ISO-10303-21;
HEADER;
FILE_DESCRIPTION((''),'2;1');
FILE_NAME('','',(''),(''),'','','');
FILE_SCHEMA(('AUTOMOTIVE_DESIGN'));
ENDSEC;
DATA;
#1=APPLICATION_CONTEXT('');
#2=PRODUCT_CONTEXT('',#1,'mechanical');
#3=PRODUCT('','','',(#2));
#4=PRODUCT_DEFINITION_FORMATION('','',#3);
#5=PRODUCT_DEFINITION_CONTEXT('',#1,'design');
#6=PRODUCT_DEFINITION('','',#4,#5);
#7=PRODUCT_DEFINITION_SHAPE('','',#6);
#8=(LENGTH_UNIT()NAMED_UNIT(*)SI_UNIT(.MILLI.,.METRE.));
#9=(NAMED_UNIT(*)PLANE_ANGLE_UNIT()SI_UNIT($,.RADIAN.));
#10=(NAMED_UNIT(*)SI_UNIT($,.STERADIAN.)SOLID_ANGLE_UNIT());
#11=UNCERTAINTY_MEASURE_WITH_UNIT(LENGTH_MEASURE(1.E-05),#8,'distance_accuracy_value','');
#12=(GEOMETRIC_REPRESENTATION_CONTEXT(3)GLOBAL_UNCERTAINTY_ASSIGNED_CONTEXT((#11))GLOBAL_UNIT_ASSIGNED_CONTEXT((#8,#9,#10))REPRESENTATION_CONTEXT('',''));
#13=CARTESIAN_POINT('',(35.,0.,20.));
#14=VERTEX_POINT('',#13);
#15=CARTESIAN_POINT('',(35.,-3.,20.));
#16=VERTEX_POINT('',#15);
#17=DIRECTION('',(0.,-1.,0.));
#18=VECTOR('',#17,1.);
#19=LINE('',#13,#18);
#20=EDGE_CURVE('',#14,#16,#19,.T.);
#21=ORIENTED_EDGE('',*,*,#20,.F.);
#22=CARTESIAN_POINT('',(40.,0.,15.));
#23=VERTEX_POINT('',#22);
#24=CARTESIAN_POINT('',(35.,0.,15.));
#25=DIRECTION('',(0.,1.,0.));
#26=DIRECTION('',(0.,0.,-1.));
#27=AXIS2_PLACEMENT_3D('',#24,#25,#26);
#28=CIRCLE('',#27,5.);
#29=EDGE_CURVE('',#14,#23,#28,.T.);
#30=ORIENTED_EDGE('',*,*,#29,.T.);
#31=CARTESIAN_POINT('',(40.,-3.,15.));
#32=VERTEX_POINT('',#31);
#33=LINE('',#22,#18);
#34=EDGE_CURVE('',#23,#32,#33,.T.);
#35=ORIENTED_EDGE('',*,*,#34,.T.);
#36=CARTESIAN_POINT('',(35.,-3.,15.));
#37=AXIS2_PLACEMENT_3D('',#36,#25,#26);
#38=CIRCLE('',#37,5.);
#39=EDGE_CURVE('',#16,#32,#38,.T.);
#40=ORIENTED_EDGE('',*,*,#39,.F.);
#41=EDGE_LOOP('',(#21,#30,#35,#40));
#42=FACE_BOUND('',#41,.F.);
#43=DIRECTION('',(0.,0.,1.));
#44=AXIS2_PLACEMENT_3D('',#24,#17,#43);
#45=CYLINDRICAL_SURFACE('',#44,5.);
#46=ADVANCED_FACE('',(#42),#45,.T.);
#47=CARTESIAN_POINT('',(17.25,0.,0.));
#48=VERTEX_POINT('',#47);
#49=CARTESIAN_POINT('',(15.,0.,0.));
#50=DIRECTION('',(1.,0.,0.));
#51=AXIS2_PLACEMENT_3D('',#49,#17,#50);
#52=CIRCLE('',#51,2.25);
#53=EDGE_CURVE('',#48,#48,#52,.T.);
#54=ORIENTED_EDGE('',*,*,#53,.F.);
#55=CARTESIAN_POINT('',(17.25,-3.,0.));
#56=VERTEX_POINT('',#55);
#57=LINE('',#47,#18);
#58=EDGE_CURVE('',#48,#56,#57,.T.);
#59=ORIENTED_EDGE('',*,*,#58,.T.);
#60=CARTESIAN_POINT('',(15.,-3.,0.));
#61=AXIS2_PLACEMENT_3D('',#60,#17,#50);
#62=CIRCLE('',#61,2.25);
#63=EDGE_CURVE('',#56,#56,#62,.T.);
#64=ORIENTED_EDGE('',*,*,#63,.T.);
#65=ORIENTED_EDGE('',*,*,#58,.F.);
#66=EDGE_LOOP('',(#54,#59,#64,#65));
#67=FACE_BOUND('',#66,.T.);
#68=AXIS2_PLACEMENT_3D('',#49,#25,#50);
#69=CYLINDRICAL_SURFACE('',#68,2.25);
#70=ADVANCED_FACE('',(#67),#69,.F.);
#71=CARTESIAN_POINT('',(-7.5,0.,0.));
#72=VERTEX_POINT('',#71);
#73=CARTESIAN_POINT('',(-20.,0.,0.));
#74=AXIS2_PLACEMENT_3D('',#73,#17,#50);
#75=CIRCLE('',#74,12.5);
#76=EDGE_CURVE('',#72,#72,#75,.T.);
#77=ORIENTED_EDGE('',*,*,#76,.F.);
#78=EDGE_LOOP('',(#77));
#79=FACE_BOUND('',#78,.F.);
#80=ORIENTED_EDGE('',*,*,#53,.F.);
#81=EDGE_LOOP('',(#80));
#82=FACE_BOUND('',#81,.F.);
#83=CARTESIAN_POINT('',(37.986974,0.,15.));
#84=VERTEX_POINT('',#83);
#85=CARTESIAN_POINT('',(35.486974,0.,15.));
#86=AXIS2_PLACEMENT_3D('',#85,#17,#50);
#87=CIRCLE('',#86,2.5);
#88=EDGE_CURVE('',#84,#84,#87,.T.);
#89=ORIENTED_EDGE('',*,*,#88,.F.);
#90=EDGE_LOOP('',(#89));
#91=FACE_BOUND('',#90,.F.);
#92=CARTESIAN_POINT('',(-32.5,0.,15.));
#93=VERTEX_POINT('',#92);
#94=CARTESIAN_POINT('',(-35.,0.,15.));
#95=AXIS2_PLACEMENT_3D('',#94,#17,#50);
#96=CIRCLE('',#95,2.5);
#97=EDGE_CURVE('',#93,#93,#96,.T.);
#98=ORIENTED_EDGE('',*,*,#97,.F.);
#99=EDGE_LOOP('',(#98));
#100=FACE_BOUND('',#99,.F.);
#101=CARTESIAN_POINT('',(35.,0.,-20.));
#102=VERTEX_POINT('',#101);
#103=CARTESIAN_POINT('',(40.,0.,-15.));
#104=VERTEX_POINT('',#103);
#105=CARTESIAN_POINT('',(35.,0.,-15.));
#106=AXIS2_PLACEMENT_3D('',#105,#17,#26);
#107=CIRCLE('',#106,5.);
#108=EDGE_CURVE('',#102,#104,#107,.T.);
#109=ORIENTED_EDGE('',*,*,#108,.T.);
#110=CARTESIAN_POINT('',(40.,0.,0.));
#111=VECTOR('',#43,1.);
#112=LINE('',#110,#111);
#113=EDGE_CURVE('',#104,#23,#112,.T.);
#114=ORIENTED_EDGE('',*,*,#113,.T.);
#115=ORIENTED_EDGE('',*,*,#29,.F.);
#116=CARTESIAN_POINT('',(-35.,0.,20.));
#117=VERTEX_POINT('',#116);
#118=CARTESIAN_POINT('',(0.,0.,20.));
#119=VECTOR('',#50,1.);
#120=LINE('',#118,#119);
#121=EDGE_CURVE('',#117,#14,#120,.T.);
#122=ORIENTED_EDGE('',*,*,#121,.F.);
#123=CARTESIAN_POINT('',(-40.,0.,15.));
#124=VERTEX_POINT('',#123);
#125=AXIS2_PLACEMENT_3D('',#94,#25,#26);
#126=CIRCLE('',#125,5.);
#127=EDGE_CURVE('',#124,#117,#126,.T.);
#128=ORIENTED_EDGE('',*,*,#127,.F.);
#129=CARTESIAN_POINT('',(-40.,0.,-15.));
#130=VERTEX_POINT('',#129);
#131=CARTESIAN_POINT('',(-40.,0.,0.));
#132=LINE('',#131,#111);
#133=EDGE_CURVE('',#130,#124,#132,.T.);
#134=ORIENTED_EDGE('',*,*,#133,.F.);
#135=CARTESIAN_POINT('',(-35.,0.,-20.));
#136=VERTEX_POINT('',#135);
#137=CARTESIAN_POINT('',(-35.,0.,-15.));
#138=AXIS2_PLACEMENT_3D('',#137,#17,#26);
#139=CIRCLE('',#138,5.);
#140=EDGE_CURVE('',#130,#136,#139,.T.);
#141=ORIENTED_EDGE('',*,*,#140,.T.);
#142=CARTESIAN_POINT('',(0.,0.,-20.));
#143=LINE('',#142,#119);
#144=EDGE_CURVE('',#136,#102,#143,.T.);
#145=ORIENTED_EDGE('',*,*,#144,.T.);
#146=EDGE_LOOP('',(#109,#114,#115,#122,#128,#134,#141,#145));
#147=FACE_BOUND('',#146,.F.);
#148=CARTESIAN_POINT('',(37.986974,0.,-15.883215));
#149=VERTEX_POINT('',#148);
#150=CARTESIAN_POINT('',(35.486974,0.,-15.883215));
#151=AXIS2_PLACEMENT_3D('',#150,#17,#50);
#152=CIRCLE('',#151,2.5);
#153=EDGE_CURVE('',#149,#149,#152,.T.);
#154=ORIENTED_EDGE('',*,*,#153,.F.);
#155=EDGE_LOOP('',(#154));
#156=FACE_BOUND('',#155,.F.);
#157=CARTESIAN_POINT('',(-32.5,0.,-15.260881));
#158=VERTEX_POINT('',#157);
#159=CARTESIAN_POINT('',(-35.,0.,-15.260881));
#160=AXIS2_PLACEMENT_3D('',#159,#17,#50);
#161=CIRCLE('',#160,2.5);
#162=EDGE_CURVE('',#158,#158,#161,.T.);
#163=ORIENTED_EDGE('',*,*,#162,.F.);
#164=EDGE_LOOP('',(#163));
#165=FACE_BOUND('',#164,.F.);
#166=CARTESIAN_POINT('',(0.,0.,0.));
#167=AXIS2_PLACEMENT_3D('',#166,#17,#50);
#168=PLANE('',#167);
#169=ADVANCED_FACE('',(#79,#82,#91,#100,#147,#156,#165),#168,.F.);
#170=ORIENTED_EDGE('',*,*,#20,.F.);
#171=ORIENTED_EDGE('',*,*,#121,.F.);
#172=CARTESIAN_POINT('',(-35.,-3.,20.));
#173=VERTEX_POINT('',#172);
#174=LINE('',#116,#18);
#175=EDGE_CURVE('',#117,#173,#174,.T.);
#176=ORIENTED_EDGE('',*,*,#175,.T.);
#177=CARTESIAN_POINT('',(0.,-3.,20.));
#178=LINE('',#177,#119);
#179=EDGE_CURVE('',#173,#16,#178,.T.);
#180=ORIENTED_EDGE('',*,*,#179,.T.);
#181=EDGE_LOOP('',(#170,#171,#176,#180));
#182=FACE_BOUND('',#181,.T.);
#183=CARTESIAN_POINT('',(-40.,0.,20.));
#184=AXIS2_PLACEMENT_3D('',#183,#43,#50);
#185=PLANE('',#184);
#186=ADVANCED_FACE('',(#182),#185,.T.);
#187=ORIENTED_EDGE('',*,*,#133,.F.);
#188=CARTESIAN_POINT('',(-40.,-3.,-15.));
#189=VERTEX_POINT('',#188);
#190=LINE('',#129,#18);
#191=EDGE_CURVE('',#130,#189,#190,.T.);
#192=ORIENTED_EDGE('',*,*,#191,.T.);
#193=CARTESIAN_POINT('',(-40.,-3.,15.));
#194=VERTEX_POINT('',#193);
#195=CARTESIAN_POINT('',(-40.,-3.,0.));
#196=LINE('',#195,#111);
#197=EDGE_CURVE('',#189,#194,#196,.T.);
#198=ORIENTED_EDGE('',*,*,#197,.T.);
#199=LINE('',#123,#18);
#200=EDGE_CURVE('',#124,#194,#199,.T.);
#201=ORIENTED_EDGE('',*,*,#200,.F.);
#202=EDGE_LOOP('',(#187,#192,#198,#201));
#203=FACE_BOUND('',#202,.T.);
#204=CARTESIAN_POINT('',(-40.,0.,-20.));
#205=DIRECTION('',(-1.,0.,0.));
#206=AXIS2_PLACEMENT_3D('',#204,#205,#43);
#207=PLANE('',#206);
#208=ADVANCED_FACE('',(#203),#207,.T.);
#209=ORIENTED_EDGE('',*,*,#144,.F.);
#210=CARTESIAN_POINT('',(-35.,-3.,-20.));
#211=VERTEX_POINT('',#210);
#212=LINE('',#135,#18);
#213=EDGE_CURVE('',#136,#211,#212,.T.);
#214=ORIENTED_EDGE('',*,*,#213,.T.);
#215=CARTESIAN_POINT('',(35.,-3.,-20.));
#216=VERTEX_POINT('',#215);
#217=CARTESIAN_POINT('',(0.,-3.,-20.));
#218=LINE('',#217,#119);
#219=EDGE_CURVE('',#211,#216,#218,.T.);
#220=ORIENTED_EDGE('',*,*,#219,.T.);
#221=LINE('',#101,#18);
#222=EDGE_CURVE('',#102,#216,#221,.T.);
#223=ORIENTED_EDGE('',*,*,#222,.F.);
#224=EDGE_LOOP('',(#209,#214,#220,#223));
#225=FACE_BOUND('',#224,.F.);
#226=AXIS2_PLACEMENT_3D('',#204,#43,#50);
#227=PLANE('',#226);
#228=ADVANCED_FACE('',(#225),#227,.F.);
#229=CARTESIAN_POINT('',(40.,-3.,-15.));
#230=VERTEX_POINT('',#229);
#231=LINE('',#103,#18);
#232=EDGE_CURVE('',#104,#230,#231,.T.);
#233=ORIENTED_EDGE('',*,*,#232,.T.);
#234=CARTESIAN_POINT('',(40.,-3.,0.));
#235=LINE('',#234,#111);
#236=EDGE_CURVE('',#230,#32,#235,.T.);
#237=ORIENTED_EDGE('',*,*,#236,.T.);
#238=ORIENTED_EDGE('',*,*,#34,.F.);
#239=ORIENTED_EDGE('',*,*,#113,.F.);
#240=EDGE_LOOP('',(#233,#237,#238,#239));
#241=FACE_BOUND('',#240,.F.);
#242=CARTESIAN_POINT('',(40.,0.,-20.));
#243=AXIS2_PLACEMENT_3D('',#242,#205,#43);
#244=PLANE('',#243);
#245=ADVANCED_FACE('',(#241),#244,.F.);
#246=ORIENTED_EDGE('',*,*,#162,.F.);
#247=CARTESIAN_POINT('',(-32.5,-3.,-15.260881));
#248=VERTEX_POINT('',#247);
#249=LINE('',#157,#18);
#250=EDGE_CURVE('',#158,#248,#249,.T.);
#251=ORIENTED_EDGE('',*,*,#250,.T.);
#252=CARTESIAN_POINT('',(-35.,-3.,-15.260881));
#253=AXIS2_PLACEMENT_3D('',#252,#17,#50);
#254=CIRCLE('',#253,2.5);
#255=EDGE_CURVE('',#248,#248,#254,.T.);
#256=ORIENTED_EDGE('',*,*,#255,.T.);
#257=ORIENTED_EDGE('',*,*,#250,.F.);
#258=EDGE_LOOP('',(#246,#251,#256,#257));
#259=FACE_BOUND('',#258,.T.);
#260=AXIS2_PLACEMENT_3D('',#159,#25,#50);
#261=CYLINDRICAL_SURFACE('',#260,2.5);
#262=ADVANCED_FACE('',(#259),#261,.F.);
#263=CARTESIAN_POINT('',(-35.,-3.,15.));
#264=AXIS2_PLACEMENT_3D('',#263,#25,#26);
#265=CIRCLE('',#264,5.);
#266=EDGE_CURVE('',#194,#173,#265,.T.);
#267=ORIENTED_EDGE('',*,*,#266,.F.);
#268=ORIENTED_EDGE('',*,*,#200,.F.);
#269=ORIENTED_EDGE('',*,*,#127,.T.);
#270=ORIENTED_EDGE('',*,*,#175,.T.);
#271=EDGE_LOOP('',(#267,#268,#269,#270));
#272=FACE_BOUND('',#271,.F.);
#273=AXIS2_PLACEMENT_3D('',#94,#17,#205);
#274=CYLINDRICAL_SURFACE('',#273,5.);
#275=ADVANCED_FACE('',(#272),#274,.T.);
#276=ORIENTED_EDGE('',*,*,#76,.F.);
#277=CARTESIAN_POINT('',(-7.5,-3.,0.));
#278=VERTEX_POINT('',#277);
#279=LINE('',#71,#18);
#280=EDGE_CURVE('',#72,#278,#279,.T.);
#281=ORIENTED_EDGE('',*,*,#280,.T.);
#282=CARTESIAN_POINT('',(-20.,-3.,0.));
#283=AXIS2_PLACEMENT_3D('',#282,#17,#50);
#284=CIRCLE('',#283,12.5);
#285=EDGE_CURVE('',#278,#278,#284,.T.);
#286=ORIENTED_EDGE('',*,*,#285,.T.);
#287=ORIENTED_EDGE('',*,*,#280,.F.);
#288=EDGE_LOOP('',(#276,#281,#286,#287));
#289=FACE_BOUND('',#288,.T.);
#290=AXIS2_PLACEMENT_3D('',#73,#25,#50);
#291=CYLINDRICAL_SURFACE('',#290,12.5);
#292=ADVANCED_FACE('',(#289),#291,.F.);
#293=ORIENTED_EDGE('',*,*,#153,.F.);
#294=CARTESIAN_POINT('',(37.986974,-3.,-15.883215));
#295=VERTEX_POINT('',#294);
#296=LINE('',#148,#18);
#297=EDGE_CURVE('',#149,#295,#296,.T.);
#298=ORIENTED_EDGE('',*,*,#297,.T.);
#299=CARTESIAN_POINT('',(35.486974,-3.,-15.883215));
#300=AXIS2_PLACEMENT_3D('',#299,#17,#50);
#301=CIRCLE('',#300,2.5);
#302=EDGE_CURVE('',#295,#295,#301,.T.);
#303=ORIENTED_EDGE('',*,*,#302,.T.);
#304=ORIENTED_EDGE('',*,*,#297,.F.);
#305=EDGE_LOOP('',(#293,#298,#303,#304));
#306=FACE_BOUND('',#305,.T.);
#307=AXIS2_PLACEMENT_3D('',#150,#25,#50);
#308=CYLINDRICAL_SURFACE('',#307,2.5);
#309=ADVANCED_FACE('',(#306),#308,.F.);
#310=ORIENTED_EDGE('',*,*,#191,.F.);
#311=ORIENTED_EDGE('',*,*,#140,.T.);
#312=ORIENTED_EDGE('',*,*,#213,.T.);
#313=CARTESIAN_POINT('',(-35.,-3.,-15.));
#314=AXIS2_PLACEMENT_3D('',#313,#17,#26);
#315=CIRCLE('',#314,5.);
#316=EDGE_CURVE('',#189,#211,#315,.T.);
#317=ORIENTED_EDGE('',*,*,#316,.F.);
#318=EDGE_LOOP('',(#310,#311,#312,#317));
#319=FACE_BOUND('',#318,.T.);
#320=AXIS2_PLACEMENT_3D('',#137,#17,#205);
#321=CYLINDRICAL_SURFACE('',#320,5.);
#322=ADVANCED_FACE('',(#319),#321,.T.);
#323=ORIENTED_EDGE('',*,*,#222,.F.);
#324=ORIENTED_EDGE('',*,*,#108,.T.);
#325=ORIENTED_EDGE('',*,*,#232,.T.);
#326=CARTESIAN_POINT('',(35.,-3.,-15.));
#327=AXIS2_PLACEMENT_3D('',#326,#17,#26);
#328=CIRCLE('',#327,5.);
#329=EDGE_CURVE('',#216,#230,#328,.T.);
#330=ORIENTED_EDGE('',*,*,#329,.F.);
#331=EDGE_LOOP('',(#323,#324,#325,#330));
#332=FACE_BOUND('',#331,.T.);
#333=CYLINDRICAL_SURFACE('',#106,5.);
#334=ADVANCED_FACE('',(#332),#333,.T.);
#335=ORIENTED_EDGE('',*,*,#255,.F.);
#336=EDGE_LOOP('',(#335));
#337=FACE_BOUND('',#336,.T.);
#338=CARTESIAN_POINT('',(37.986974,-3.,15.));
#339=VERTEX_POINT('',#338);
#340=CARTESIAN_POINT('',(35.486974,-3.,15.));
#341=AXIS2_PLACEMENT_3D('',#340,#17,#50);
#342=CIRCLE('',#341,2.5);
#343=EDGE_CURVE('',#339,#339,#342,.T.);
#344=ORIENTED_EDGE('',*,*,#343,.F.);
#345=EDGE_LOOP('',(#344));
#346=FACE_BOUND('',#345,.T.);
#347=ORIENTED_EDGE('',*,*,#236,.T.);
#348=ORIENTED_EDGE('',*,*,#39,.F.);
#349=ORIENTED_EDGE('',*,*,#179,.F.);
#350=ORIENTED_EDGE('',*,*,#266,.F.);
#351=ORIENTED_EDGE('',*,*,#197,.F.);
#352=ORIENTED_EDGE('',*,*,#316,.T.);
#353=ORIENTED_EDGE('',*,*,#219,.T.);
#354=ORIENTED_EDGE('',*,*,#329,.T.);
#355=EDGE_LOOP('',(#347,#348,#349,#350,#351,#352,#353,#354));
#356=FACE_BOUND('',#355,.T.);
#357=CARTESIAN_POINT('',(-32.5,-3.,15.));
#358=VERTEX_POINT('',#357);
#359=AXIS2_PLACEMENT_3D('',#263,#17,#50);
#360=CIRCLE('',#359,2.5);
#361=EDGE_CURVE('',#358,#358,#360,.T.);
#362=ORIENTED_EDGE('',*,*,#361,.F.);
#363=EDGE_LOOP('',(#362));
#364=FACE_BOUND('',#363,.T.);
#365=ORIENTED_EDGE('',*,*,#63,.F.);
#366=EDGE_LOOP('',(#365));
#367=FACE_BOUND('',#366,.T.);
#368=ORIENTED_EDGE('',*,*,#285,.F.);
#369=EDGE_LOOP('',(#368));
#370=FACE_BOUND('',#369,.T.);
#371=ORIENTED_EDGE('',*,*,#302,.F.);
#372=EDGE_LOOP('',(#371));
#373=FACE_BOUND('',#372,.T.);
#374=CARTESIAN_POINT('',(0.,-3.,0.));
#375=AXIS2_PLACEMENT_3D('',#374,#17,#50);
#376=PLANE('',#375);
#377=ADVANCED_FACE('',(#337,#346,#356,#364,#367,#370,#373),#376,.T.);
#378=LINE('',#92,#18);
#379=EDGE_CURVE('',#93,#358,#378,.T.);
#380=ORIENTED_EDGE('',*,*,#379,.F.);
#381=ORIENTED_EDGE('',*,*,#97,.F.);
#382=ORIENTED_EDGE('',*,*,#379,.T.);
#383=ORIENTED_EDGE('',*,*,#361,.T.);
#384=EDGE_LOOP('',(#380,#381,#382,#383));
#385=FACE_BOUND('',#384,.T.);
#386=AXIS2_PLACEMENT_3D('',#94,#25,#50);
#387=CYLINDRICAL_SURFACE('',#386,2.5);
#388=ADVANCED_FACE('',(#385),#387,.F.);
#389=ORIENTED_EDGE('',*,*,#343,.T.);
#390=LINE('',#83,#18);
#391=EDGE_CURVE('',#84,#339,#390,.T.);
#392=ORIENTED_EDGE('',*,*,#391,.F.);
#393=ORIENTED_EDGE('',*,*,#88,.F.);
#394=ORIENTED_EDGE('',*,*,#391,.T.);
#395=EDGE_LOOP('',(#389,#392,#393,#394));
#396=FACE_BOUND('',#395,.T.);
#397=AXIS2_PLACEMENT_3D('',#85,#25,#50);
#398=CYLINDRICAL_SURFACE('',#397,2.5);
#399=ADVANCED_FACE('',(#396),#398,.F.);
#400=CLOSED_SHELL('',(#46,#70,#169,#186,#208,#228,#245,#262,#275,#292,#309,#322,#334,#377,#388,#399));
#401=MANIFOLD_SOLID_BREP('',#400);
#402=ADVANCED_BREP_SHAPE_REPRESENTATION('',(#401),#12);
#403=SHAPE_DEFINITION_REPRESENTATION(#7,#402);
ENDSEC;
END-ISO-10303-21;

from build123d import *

# Parameters (mm, degrees)
F0_W     = 80
F0_H     = 40
F0_R     = 2.5
F0_R_2   = 12.5
F0_R_3   = 2.25
F1_DEPTH = 3
F2_R     = 5


with BuildPart() as f1:
    # F0 (on Front) → F1 (new body)
    with BuildSketch(Plane.XZ):
        Rectangle(F0_W, F0_H)
        with Locations((-35, -15.260881)):
            Circle(F0_R, mode=Mode.SUBTRACT)
        with Locations((35.486974, -15.883215)):
            Circle(F0_R, mode=Mode.SUBTRACT)
        with Locations((-20, 0)):
            Circle(F0_R_2, mode=Mode.SUBTRACT)
        with Locations((-35, 15)):
            Circle(F0_R, mode=Mode.SUBTRACT)
        with Locations((15, 0)):
            Circle(F0_R_3, mode=Mode.SUBTRACT)
        with Locations((35.486974, 15)):
            Circle(F0_R, mode=Mode.SUBTRACT)
    extrude(amount=F1_DEPTH)

    # F2
    f2_edges = [f1.edges().sort_by_distance(p)[0] for p in [
        (-40, -1.5, 20),
        (40, -1.5, 20),
        (40, -1.5, -20),
        (-40, -1.5, -20),
    ]]
    fillet(f2_edges, radius=F2_R)


solid = f1.part
